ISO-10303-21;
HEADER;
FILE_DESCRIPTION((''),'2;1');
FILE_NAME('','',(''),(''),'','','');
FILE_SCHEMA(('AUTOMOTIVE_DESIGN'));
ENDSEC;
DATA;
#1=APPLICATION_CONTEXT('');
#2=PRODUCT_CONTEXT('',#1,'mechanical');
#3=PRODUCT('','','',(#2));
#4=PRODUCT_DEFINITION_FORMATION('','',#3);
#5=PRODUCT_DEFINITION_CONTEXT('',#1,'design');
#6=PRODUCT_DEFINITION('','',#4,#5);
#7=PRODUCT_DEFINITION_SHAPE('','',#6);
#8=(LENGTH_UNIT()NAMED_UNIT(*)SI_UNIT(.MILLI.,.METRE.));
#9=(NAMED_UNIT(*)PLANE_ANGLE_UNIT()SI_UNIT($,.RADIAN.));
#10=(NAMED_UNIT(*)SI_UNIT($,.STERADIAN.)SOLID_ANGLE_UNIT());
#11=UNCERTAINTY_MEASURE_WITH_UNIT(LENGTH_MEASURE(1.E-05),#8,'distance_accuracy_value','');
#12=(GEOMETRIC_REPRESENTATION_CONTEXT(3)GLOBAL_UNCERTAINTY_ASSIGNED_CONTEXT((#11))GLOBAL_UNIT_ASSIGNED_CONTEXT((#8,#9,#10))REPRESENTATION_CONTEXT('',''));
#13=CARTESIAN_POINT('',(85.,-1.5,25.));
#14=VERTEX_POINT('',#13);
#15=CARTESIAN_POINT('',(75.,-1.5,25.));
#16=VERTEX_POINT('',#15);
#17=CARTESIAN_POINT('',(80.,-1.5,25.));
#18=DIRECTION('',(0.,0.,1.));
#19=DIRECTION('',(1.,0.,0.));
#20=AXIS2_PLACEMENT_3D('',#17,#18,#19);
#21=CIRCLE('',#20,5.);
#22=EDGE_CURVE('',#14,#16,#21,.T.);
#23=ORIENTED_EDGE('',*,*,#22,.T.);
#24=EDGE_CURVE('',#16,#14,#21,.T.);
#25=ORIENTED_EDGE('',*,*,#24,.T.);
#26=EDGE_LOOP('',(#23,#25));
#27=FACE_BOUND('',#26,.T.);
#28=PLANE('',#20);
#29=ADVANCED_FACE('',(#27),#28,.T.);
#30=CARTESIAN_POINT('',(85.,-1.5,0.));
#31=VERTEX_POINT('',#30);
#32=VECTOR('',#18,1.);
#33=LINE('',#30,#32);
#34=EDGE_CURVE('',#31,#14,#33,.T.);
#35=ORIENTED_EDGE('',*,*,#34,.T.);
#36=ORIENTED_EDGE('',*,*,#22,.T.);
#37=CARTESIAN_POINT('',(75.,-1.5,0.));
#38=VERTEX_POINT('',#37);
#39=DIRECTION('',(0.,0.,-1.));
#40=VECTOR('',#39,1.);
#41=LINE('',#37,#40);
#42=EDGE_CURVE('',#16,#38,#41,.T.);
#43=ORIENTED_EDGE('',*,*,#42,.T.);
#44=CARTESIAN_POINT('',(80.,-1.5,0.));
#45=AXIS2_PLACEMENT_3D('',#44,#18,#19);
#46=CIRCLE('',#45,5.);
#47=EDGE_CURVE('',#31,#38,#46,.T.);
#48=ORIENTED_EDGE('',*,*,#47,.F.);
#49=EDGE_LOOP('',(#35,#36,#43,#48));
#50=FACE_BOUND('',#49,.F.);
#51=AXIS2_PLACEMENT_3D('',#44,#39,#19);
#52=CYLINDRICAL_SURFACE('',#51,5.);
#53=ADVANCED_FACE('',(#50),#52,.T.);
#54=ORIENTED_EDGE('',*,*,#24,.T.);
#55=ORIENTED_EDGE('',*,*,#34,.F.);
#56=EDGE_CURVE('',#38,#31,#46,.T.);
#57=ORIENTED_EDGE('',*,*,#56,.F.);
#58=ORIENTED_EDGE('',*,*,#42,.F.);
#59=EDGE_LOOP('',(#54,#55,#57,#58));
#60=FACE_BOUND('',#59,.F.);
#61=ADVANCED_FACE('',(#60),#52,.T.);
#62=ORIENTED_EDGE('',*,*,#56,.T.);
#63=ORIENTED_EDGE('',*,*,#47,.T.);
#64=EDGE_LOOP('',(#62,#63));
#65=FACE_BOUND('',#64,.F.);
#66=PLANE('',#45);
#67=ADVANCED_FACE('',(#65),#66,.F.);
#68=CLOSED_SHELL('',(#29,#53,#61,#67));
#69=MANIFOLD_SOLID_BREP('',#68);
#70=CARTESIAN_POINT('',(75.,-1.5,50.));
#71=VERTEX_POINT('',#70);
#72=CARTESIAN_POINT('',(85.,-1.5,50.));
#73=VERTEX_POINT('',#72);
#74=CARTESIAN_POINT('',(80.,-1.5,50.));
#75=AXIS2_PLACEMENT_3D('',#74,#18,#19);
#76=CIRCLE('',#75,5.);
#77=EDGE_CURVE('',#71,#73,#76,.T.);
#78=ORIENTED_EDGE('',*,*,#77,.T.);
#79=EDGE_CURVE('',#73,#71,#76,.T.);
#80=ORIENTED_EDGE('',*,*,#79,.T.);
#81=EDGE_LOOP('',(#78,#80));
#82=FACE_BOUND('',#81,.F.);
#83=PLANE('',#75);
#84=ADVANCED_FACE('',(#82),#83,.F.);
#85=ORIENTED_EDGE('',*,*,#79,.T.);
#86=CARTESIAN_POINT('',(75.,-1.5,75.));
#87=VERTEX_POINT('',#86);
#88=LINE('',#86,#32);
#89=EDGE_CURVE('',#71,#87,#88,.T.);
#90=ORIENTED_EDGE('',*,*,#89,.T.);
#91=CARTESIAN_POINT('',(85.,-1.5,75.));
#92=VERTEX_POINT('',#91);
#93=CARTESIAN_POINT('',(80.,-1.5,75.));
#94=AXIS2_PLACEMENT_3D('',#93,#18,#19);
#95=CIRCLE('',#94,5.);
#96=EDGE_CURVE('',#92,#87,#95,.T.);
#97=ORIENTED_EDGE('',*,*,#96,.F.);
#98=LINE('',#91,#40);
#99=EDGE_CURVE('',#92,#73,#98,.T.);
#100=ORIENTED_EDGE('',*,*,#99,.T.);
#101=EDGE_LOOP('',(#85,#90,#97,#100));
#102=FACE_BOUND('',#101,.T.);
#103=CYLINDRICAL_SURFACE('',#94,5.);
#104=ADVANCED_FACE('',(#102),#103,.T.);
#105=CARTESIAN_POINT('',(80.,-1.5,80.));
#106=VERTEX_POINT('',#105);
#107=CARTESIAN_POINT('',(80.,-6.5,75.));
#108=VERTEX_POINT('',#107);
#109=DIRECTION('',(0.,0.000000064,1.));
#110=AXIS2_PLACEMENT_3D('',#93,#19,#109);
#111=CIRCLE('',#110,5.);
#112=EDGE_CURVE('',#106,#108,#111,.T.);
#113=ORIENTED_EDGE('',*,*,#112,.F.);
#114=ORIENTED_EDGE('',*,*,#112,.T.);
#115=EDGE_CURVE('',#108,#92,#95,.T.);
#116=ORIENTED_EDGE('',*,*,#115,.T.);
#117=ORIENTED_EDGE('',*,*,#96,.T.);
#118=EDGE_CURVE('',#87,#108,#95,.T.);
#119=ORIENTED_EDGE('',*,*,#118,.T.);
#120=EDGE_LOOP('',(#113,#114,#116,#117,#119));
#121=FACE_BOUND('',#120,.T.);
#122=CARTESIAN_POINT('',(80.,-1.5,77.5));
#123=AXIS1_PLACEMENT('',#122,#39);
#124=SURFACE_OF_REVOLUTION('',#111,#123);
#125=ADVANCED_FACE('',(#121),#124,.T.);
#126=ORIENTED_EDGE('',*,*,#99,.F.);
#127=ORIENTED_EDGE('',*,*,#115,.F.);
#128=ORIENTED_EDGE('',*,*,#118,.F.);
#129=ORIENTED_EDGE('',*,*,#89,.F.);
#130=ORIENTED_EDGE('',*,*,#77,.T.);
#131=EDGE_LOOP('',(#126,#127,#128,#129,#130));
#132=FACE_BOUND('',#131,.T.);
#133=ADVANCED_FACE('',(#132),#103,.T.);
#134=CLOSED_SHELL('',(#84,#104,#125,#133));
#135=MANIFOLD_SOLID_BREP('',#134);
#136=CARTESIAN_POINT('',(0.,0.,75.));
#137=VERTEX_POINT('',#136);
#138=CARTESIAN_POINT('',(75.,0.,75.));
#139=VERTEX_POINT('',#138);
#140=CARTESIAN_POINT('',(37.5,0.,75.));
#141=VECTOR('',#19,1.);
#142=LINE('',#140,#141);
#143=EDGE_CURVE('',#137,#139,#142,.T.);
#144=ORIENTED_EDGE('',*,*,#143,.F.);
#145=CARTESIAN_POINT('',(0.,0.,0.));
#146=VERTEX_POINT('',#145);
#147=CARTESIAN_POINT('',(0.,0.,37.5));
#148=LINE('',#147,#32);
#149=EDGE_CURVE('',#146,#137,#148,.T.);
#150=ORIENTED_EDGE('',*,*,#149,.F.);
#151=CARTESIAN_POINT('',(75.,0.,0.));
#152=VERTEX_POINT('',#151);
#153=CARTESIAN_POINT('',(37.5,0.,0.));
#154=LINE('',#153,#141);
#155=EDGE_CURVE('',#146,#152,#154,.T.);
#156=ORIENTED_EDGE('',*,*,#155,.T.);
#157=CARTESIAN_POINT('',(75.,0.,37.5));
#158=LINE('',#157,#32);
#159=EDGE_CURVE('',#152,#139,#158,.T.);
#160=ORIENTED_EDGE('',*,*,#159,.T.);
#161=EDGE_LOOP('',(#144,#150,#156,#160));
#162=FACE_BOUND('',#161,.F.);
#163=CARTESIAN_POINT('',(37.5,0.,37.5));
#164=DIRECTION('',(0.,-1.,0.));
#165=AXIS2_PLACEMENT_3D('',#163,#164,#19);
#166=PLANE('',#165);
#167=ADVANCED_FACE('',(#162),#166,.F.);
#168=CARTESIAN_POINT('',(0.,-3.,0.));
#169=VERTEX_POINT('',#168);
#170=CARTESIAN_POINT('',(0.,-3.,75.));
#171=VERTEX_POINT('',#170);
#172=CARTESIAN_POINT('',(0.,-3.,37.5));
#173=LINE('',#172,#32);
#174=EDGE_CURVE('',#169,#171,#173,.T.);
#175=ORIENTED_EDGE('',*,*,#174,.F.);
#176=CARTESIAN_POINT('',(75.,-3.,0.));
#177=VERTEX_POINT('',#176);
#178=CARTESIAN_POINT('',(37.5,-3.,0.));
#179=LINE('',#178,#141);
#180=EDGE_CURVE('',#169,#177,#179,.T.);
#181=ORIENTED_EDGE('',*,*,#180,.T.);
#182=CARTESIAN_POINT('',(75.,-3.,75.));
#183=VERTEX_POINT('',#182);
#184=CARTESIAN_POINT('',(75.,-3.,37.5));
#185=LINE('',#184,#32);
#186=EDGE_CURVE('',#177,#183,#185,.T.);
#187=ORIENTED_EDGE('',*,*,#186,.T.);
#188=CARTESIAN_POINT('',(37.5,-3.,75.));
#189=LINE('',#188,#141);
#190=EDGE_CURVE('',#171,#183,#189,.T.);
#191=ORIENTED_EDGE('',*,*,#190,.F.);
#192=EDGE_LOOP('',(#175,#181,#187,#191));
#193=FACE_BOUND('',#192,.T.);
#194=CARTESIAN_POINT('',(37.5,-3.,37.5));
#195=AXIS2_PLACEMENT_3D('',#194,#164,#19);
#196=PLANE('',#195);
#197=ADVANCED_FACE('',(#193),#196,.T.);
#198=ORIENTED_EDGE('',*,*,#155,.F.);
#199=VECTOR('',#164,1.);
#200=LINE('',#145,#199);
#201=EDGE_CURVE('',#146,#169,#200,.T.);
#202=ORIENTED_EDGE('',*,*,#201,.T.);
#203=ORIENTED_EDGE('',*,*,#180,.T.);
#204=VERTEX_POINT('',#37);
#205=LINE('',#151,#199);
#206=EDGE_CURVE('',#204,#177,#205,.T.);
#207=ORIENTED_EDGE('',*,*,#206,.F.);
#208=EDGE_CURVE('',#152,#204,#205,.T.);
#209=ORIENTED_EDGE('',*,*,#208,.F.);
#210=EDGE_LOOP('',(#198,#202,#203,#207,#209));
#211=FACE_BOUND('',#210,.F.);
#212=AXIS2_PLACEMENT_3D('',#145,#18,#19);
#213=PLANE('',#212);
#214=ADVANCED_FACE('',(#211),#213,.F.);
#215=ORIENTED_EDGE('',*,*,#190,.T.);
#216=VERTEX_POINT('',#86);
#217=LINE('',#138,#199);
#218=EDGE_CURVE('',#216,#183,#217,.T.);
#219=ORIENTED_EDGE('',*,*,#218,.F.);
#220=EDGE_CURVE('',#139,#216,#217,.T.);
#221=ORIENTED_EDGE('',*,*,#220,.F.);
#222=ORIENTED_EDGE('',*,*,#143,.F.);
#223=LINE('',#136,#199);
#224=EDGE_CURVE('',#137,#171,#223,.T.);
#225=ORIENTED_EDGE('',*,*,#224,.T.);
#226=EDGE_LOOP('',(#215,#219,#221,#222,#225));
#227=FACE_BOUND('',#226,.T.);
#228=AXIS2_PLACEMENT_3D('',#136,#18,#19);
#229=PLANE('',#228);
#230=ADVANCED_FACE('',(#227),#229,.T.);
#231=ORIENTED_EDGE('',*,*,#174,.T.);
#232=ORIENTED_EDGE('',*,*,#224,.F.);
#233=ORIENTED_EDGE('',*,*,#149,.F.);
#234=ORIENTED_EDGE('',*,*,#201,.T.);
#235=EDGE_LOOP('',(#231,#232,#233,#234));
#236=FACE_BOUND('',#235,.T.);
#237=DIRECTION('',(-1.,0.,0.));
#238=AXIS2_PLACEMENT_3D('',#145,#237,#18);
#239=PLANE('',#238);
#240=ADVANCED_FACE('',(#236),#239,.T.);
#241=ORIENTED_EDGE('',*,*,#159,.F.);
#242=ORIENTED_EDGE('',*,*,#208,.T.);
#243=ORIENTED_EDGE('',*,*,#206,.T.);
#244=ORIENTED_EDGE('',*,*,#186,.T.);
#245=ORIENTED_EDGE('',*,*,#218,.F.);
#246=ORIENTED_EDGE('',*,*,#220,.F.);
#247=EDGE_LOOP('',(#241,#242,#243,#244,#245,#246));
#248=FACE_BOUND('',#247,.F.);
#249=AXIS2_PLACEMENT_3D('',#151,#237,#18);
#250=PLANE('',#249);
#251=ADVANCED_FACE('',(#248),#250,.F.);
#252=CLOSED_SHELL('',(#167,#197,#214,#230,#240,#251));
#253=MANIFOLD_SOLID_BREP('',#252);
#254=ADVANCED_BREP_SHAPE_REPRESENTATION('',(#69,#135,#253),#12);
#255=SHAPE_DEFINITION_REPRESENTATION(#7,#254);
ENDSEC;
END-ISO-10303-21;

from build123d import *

# Parameters (mm, degrees)
F0_W     = 75
F0_H     = 75
F1_DEPTH = 3
F3_DEPTH = 25
F5_DEPTH = 25


with BuildPart() as f1:
    # F0 (on Front) → F1 (new body)
    with BuildSketch(Plane.XZ):
        with Locations((37.5, 37.5)):
            Rectangle(F0_W, F0_H)
    extrude(amount=F1_DEPTH)

    # F2 (on Top) → F3 (join)
    with BuildSketch(Plane.XY):
        with BuildLine():
            ThreePointArc((75, -1.5), (80, -6.5), (85, -1.5))
            ThreePointArc((85, -1.5), (80, 3.5), (75, -1.5))
        make_face()
    extrude(amount=F3_DEPTH)



with BuildPart() as f5:
    # F4 (on face) → F5 (new body)
    with BuildSketch(Plane.XY.offset(75)):
        with BuildLine():
            ThreePointArc((75, -1.5), (80, -6.5), (85, -1.5))
            ThreePointArc((85, -1.5), (80, 3.5), (75, -1.5))
        make_face()
    extrude(amount=-F5_DEPTH)


with BuildPart() as f1_1:
    add(f1.part)

    add(f5.part)  # F8 merges F5
    # F7 (on offset) → F8 (revolve)
    with BuildSketch(Plane.YZ.offset(80)):
        with BuildLine():
            ThreePointArc((-1.5, 80), (-5.035534, 78.535534), (-6.5, 75))
            Line((-6.5, 75), (-1.5, 75))
            Line((-1.5, 75), (-1.5, 80))
        make_face()
    revolve(axis=Axis((80, -1.5, 77.5), (0, 0, -1)))


solid = f1_1.part
